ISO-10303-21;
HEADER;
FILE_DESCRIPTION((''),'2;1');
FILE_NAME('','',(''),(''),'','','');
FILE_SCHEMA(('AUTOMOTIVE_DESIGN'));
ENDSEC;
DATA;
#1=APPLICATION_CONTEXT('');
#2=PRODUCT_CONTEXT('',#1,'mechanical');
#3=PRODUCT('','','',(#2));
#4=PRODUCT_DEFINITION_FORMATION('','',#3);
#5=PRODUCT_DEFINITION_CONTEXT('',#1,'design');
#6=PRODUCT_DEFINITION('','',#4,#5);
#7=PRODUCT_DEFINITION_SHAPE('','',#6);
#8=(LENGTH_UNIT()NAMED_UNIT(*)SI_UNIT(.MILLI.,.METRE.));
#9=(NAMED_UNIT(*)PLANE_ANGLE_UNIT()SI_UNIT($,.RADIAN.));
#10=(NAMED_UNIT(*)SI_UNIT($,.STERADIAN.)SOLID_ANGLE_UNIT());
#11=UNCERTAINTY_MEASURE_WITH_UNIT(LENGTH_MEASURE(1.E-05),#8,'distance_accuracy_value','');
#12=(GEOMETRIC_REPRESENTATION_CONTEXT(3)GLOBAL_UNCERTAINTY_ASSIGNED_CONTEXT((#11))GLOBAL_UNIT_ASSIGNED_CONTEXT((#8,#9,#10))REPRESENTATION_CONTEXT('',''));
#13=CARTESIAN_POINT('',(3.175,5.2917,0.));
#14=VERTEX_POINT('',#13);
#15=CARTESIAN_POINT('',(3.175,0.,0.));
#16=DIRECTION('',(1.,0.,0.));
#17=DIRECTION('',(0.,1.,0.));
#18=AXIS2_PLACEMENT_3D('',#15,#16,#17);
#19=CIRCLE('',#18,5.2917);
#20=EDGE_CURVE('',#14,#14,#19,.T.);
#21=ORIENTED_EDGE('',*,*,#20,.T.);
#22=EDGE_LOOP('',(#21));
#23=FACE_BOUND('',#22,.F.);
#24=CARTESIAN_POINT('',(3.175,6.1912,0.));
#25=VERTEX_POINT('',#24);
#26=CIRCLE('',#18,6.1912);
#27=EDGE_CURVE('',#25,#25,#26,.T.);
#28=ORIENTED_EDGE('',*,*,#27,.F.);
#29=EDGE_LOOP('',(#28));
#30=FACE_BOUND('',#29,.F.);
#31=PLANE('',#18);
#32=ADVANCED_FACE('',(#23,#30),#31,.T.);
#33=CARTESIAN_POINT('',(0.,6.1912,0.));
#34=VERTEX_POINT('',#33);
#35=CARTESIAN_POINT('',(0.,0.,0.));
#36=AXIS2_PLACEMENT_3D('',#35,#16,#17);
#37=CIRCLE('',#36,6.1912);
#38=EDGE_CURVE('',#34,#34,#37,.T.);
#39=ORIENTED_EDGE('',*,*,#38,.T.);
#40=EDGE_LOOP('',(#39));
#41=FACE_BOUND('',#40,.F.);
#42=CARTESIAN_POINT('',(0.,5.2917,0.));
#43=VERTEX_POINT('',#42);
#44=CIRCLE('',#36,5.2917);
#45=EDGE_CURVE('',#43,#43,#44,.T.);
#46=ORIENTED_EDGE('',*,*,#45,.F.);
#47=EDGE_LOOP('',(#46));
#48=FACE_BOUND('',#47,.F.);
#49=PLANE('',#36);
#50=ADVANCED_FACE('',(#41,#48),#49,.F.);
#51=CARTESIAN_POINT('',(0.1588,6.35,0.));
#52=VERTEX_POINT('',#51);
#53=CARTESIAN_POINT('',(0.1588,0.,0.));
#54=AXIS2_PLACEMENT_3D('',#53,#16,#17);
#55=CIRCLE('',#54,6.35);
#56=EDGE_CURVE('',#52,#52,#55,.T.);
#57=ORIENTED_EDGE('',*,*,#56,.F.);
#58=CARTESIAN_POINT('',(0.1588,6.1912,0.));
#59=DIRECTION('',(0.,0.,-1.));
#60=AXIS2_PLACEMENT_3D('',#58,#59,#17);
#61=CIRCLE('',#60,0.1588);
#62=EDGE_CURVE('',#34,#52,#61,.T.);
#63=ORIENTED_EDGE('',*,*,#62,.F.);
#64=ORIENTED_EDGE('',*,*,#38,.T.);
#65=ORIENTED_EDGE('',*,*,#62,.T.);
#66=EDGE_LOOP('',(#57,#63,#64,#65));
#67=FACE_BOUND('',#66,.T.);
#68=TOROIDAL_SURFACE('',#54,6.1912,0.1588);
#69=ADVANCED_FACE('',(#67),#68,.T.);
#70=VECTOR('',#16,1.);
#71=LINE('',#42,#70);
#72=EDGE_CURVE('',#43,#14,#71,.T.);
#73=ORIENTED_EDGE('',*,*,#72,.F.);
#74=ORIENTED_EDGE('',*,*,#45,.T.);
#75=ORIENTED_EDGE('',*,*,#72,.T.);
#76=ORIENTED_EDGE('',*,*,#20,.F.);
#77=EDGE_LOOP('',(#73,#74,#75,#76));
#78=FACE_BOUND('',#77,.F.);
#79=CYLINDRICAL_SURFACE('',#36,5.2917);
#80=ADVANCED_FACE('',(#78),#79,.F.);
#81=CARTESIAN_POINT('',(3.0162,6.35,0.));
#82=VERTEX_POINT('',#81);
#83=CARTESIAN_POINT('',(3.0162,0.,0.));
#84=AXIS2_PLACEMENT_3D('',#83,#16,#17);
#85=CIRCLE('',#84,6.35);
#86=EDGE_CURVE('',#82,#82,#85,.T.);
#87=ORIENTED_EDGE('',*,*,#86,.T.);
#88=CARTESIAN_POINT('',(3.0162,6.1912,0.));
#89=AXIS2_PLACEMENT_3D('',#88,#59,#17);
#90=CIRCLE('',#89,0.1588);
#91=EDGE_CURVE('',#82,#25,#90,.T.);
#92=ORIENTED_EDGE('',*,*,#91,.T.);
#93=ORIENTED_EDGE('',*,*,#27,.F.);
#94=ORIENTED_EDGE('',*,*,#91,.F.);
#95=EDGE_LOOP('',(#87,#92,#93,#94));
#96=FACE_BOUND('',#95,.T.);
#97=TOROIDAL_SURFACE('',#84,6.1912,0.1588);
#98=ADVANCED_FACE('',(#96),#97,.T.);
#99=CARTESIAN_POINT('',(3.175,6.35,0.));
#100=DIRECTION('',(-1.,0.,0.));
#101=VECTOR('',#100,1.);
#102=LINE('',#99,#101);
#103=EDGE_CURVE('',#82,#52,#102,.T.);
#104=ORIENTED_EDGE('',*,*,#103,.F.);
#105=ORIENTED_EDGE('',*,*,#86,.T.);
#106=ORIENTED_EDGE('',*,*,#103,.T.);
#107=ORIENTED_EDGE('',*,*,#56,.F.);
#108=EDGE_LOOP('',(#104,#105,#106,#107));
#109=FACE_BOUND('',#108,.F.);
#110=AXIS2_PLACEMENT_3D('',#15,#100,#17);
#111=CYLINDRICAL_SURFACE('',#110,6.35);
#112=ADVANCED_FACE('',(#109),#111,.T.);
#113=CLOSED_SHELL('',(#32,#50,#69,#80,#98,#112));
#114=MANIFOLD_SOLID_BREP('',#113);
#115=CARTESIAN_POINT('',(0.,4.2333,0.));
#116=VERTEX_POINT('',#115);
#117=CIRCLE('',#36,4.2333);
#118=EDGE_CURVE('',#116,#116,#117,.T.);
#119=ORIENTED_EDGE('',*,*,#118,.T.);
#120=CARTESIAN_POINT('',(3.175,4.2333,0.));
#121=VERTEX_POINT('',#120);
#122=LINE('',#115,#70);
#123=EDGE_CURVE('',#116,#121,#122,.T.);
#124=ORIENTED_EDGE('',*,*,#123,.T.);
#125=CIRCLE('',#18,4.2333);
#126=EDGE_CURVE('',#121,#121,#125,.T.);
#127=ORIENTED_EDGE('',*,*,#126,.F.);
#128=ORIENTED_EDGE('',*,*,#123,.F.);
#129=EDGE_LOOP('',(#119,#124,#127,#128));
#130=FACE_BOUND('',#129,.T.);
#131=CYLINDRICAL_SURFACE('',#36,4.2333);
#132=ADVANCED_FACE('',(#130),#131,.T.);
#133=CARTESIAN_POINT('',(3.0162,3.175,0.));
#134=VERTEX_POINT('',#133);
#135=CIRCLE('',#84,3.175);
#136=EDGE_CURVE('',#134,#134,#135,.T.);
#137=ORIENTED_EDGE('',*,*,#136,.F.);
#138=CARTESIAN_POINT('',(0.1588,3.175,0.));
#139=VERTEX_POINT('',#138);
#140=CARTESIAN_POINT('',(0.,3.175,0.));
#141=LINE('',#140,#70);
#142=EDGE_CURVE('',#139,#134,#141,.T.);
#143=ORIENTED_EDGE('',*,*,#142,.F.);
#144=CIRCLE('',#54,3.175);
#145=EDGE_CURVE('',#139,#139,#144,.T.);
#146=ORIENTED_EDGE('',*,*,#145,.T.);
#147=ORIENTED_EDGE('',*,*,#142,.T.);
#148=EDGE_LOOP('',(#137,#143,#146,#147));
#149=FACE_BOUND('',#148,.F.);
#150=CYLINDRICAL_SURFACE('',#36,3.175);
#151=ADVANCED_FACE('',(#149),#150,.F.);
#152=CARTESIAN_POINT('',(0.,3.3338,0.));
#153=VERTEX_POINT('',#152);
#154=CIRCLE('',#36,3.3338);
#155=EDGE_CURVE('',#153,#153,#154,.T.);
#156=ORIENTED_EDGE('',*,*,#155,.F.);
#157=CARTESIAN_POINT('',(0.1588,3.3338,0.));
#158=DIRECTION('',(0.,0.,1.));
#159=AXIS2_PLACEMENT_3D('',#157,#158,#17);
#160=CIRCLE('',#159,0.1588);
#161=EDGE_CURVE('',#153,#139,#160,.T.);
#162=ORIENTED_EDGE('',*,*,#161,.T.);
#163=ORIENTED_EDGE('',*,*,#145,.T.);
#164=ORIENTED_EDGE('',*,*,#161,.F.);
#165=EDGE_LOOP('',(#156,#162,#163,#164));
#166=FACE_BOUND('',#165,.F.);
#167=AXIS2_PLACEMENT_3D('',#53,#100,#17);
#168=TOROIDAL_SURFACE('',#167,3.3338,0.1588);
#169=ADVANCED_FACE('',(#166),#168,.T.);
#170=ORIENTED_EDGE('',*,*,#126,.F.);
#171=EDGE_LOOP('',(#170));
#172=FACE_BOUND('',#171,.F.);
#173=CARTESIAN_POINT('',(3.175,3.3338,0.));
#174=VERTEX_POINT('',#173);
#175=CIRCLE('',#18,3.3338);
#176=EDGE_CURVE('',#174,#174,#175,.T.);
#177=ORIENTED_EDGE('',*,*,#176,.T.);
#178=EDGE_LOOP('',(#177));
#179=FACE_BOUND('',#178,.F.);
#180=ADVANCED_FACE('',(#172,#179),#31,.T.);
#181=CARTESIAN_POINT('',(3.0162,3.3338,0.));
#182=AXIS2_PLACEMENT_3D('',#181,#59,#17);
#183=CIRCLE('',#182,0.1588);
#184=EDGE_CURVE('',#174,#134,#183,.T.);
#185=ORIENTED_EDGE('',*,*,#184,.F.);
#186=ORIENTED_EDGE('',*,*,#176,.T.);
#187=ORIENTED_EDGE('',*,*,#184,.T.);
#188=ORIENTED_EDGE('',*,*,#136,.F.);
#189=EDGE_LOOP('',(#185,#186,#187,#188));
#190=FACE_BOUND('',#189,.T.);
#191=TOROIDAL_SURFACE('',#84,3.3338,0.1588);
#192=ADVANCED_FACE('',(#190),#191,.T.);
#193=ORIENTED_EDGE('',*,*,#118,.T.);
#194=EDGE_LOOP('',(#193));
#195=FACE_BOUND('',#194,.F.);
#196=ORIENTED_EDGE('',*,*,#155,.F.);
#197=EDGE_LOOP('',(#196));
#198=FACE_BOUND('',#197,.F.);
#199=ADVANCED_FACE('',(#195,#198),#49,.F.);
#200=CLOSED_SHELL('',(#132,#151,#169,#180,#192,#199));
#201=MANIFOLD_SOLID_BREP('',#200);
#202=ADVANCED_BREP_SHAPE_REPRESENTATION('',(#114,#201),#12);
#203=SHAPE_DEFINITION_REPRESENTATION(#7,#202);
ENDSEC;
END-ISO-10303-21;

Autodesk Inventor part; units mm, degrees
ref_plane "YZ Plane" through (0, 0, 0) normal (1, 0, 0) x (0, 1, 0)
ref_plane "XZ Plane" through (0, 0, 0) normal (0, 1, 0) x (-1, 0, 0)
ref_plane "XY Plane" through (0, 0, 0) normal (0, 0, 1) x (1, 0, 0)
sketch "Sketch" plane through (0, 0, 0) normal (0, 0, 1) x (1, 0, 0)
  line L0 (0, 0) -> (3.175, 0)
  line L1 (0, 0) -> (0, 3.175) construction
  line L2 (0, 3.175) -> (3.175, 3.175)
  line L3 (3.175, 3.175) -> (3.175, 6.35)
  line L4 (3.175, 6.35) -> (0, 6.35)
  line L5 (0, 6.35) -> (0, 3.175)
  line L6 (0, 4.7625) -> (3.175, 4.7625)
  line L7 (0, 5.2917) -> (3.175, 5.2917)
  line L8 (0, 4.2333) -> (3.175, 4.2333)
  dimension "d0" = 3.175
  dimension "d1" = 6.35
  dimension "d2" = 8.4667
  dimension "d3" = 12.7
revolve "Body" add sketch "Sketch" angle 360 about axis through (0, 0, 0) along (1, 0, 0) contours L5 L8 L3 L2 | L5 L4 L3 L7
fillet "Fillet1" radius 0.1588 4 edges at (0, -6.35, 0) (3.175, -6.35, 0) (0, -3.175, 0) (3.175, -3.175, 0)
equation "\"d5\" = -0.025 * WD + 0.025 * BD"
equation "\"d0\" = KB"
equation "\"d1\" = WD"
equation "\"d2\" = 0.333333 * BD + 0.666667 * WD"
equation "\"d3\" = BD"
equation "\"WD\" = 6.35"
equation "\"BD\" = 12.7"
equation "\"KB\" = 3.175"
equation "\"BBA\" = 0"
equation "\"KRS\" = 0.127"
equation "\"KR1S\" = 0.0762"
equation "\"BR\" = 0.5 * BD"
equation "\"WR\" = 0.5 * WD"
properties part number "ISO 1224 - 0.25 x  0.5 x  0.125" material "Steel, Mild"
